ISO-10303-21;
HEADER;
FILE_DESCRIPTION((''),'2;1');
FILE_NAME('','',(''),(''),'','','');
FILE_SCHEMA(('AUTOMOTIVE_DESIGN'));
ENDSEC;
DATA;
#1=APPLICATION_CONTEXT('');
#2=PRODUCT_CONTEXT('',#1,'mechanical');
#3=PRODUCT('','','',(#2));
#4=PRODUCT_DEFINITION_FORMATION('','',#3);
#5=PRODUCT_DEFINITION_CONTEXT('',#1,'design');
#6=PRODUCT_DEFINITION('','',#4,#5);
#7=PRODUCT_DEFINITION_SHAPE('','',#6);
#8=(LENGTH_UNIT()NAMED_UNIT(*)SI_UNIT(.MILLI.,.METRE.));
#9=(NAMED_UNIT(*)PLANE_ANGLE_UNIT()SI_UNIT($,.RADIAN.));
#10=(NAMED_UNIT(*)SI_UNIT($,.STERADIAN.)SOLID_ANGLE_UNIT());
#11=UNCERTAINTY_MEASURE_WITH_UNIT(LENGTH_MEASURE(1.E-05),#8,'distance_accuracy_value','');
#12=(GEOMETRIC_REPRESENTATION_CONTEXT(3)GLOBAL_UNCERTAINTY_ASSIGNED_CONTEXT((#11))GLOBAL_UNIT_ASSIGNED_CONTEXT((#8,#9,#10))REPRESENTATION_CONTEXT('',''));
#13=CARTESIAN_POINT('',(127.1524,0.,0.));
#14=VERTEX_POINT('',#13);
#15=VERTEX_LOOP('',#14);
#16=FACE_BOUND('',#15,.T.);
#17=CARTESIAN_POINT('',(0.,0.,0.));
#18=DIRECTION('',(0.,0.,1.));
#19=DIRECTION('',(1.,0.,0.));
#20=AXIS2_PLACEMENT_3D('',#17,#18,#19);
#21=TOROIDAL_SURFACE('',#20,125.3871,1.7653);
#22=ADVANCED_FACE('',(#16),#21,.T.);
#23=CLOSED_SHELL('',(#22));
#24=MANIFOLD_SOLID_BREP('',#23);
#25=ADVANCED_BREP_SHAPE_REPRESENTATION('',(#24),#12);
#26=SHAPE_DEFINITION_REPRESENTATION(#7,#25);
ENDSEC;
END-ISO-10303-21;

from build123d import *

# Parameters (mm, degrees)
SKETCH1_R = 1.7653


with BuildPart() as part:
    # Sketch1 → Revolve1 (revolve)
    with BuildSketch(Plane(origin=(0, 0, 0), x_dir=(0, -1, 0), z_dir=(1, 0, 0))):
        with Locations((125.3871, 0)):
            Circle(SKETCH1_R)
    revolve(axis=Axis((0, 0, 1.7653), (0, 0, -1)))


solid = part.part
